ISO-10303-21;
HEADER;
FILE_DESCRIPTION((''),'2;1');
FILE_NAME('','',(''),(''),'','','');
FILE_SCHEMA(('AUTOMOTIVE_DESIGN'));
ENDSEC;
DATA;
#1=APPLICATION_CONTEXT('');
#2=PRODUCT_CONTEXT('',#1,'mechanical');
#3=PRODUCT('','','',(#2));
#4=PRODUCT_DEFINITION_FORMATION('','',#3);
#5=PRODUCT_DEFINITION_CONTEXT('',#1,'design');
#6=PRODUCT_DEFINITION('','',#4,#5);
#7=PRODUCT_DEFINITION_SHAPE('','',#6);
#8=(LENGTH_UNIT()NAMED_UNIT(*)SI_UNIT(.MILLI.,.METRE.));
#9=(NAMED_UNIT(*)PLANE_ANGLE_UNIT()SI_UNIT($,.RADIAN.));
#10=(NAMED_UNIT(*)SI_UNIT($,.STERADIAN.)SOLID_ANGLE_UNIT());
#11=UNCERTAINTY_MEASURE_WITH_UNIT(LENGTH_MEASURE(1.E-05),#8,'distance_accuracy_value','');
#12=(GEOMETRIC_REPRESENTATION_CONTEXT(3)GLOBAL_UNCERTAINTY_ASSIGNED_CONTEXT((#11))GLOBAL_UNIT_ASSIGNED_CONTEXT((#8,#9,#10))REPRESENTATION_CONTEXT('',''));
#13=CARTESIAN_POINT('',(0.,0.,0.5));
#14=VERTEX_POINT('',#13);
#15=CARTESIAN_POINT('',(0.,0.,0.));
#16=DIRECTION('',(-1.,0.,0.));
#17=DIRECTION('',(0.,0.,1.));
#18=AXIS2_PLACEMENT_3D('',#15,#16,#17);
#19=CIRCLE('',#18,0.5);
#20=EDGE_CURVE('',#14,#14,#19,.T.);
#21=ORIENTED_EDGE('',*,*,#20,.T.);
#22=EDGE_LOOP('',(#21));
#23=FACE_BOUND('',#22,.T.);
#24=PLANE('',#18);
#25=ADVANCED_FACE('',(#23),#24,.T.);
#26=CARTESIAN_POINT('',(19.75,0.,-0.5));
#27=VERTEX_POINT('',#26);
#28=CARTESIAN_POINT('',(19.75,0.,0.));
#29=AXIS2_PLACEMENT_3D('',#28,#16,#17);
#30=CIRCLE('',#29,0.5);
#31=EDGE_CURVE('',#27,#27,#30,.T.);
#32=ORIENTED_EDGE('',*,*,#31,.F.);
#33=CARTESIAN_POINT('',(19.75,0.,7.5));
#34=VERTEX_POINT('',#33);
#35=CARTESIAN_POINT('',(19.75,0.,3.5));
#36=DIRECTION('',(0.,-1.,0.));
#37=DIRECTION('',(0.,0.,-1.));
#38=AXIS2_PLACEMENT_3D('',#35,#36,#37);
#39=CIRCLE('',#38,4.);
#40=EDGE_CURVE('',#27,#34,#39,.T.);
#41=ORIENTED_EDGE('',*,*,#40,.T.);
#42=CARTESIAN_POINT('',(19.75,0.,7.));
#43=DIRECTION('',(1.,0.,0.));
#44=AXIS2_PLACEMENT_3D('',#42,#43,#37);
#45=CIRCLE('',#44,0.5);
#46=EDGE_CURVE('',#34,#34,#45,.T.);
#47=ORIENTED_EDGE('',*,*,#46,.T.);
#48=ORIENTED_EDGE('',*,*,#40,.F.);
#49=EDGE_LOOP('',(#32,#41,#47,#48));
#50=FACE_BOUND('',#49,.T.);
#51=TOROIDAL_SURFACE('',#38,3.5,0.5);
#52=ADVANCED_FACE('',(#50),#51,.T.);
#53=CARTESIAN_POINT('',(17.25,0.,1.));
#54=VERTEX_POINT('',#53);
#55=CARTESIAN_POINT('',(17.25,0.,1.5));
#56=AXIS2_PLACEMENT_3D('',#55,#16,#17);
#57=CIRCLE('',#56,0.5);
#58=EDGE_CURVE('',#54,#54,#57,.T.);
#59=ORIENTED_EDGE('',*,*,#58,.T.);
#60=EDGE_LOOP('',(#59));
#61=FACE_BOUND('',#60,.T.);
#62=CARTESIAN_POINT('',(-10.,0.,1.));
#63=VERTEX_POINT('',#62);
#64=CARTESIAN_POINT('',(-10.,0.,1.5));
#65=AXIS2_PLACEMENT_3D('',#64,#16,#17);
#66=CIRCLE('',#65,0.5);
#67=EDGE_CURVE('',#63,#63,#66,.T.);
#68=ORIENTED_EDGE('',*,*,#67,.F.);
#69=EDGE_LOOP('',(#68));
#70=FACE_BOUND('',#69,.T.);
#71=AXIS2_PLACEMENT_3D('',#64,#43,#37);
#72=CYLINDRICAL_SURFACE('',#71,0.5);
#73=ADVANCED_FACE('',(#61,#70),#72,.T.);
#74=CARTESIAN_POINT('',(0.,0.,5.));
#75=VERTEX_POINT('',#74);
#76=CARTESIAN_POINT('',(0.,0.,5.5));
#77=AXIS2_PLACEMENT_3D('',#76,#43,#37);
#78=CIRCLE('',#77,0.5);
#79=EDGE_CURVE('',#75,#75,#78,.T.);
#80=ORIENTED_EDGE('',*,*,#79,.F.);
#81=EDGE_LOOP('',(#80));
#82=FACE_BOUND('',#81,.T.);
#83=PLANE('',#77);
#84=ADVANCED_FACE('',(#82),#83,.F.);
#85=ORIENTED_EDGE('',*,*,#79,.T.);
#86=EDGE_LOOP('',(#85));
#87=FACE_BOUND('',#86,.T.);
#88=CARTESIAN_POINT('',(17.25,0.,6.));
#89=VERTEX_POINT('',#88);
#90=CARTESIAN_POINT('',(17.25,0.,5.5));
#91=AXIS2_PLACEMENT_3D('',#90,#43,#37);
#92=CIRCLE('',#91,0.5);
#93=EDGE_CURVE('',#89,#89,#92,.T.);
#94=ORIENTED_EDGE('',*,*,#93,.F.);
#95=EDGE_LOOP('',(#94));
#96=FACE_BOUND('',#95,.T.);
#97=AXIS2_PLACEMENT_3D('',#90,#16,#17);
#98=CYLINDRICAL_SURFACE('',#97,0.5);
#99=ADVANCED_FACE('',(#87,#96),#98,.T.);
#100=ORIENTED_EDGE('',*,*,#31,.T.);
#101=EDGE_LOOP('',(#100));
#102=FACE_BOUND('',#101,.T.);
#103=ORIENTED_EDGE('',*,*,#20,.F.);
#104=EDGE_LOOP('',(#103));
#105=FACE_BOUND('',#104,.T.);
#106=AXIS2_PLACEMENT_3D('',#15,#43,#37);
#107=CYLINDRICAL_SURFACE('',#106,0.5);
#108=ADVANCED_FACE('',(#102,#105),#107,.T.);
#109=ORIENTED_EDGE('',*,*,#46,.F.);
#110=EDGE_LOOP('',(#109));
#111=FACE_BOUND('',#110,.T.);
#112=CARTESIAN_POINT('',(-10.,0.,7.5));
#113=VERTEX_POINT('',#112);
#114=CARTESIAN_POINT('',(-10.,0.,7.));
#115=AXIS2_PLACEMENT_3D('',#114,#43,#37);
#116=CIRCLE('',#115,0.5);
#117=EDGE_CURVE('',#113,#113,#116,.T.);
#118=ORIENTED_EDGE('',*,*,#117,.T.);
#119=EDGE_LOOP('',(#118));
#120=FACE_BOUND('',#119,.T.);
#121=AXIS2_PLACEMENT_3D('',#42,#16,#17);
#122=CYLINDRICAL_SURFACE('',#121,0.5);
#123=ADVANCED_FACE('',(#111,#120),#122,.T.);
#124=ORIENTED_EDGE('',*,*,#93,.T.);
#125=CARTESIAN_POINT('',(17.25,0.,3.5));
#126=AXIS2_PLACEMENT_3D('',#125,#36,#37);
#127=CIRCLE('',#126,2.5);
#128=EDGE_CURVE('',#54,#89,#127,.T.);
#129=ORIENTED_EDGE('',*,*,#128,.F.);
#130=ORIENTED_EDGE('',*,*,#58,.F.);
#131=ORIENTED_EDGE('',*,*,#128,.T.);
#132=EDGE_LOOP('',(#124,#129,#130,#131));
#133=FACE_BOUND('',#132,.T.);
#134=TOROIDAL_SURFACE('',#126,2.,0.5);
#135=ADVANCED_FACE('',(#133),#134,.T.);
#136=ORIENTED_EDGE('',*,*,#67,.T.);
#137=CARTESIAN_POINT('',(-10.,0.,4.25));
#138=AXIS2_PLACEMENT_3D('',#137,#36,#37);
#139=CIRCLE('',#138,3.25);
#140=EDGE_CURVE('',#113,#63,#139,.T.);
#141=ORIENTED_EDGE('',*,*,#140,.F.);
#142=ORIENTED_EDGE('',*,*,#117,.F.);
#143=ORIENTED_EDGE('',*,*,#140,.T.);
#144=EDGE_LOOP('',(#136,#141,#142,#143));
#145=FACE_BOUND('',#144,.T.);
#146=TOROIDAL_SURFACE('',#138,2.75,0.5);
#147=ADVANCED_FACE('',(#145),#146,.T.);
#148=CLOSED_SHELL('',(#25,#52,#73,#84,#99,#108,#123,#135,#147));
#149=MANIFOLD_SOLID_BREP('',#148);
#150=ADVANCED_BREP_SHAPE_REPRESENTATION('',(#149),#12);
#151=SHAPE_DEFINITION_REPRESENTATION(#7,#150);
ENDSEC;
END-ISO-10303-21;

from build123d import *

# Parameters (mm, degrees)
SWEEP1_PROFILE_R = 0.5


with BuildPart() as part:
    # Sweep1: sweep along a path in Sketch1
    with BuildLine(Plane(origin=(0, 0, 0), x_dir=(1, 0, 0), z_dir=(0, 1, 0))) as sweep1_path:
        Line((0, 0), (19.75, 0))
        ThreePointArc((19.75, 0), (23.25, -3.5), (19.75, -7))
        Line((19.75, -7), (-10, -7))
        ThreePointArc((-10, -7), (-12.75, -4.25), (-10, -1.5))
        Line((-10, -1.5), (17.25, -1.5))
        ThreePointArc((17.25, -1.5), (19.25, -3.5), (17.25, -5.5))
        Line((17.25, -5.5), (0, -5.5))
    # Sweep1 profile (on start of the path) → Sweep1 (sweep)
    with BuildSketch(Plane(origin=(0, 0, 0), x_dir=(0, 0, 1), z_dir=(1, 0, 0))):
        Circle(SWEEP1_PROFILE_R)
    sweep(path=sweep1_path.line)


solid = part.part
